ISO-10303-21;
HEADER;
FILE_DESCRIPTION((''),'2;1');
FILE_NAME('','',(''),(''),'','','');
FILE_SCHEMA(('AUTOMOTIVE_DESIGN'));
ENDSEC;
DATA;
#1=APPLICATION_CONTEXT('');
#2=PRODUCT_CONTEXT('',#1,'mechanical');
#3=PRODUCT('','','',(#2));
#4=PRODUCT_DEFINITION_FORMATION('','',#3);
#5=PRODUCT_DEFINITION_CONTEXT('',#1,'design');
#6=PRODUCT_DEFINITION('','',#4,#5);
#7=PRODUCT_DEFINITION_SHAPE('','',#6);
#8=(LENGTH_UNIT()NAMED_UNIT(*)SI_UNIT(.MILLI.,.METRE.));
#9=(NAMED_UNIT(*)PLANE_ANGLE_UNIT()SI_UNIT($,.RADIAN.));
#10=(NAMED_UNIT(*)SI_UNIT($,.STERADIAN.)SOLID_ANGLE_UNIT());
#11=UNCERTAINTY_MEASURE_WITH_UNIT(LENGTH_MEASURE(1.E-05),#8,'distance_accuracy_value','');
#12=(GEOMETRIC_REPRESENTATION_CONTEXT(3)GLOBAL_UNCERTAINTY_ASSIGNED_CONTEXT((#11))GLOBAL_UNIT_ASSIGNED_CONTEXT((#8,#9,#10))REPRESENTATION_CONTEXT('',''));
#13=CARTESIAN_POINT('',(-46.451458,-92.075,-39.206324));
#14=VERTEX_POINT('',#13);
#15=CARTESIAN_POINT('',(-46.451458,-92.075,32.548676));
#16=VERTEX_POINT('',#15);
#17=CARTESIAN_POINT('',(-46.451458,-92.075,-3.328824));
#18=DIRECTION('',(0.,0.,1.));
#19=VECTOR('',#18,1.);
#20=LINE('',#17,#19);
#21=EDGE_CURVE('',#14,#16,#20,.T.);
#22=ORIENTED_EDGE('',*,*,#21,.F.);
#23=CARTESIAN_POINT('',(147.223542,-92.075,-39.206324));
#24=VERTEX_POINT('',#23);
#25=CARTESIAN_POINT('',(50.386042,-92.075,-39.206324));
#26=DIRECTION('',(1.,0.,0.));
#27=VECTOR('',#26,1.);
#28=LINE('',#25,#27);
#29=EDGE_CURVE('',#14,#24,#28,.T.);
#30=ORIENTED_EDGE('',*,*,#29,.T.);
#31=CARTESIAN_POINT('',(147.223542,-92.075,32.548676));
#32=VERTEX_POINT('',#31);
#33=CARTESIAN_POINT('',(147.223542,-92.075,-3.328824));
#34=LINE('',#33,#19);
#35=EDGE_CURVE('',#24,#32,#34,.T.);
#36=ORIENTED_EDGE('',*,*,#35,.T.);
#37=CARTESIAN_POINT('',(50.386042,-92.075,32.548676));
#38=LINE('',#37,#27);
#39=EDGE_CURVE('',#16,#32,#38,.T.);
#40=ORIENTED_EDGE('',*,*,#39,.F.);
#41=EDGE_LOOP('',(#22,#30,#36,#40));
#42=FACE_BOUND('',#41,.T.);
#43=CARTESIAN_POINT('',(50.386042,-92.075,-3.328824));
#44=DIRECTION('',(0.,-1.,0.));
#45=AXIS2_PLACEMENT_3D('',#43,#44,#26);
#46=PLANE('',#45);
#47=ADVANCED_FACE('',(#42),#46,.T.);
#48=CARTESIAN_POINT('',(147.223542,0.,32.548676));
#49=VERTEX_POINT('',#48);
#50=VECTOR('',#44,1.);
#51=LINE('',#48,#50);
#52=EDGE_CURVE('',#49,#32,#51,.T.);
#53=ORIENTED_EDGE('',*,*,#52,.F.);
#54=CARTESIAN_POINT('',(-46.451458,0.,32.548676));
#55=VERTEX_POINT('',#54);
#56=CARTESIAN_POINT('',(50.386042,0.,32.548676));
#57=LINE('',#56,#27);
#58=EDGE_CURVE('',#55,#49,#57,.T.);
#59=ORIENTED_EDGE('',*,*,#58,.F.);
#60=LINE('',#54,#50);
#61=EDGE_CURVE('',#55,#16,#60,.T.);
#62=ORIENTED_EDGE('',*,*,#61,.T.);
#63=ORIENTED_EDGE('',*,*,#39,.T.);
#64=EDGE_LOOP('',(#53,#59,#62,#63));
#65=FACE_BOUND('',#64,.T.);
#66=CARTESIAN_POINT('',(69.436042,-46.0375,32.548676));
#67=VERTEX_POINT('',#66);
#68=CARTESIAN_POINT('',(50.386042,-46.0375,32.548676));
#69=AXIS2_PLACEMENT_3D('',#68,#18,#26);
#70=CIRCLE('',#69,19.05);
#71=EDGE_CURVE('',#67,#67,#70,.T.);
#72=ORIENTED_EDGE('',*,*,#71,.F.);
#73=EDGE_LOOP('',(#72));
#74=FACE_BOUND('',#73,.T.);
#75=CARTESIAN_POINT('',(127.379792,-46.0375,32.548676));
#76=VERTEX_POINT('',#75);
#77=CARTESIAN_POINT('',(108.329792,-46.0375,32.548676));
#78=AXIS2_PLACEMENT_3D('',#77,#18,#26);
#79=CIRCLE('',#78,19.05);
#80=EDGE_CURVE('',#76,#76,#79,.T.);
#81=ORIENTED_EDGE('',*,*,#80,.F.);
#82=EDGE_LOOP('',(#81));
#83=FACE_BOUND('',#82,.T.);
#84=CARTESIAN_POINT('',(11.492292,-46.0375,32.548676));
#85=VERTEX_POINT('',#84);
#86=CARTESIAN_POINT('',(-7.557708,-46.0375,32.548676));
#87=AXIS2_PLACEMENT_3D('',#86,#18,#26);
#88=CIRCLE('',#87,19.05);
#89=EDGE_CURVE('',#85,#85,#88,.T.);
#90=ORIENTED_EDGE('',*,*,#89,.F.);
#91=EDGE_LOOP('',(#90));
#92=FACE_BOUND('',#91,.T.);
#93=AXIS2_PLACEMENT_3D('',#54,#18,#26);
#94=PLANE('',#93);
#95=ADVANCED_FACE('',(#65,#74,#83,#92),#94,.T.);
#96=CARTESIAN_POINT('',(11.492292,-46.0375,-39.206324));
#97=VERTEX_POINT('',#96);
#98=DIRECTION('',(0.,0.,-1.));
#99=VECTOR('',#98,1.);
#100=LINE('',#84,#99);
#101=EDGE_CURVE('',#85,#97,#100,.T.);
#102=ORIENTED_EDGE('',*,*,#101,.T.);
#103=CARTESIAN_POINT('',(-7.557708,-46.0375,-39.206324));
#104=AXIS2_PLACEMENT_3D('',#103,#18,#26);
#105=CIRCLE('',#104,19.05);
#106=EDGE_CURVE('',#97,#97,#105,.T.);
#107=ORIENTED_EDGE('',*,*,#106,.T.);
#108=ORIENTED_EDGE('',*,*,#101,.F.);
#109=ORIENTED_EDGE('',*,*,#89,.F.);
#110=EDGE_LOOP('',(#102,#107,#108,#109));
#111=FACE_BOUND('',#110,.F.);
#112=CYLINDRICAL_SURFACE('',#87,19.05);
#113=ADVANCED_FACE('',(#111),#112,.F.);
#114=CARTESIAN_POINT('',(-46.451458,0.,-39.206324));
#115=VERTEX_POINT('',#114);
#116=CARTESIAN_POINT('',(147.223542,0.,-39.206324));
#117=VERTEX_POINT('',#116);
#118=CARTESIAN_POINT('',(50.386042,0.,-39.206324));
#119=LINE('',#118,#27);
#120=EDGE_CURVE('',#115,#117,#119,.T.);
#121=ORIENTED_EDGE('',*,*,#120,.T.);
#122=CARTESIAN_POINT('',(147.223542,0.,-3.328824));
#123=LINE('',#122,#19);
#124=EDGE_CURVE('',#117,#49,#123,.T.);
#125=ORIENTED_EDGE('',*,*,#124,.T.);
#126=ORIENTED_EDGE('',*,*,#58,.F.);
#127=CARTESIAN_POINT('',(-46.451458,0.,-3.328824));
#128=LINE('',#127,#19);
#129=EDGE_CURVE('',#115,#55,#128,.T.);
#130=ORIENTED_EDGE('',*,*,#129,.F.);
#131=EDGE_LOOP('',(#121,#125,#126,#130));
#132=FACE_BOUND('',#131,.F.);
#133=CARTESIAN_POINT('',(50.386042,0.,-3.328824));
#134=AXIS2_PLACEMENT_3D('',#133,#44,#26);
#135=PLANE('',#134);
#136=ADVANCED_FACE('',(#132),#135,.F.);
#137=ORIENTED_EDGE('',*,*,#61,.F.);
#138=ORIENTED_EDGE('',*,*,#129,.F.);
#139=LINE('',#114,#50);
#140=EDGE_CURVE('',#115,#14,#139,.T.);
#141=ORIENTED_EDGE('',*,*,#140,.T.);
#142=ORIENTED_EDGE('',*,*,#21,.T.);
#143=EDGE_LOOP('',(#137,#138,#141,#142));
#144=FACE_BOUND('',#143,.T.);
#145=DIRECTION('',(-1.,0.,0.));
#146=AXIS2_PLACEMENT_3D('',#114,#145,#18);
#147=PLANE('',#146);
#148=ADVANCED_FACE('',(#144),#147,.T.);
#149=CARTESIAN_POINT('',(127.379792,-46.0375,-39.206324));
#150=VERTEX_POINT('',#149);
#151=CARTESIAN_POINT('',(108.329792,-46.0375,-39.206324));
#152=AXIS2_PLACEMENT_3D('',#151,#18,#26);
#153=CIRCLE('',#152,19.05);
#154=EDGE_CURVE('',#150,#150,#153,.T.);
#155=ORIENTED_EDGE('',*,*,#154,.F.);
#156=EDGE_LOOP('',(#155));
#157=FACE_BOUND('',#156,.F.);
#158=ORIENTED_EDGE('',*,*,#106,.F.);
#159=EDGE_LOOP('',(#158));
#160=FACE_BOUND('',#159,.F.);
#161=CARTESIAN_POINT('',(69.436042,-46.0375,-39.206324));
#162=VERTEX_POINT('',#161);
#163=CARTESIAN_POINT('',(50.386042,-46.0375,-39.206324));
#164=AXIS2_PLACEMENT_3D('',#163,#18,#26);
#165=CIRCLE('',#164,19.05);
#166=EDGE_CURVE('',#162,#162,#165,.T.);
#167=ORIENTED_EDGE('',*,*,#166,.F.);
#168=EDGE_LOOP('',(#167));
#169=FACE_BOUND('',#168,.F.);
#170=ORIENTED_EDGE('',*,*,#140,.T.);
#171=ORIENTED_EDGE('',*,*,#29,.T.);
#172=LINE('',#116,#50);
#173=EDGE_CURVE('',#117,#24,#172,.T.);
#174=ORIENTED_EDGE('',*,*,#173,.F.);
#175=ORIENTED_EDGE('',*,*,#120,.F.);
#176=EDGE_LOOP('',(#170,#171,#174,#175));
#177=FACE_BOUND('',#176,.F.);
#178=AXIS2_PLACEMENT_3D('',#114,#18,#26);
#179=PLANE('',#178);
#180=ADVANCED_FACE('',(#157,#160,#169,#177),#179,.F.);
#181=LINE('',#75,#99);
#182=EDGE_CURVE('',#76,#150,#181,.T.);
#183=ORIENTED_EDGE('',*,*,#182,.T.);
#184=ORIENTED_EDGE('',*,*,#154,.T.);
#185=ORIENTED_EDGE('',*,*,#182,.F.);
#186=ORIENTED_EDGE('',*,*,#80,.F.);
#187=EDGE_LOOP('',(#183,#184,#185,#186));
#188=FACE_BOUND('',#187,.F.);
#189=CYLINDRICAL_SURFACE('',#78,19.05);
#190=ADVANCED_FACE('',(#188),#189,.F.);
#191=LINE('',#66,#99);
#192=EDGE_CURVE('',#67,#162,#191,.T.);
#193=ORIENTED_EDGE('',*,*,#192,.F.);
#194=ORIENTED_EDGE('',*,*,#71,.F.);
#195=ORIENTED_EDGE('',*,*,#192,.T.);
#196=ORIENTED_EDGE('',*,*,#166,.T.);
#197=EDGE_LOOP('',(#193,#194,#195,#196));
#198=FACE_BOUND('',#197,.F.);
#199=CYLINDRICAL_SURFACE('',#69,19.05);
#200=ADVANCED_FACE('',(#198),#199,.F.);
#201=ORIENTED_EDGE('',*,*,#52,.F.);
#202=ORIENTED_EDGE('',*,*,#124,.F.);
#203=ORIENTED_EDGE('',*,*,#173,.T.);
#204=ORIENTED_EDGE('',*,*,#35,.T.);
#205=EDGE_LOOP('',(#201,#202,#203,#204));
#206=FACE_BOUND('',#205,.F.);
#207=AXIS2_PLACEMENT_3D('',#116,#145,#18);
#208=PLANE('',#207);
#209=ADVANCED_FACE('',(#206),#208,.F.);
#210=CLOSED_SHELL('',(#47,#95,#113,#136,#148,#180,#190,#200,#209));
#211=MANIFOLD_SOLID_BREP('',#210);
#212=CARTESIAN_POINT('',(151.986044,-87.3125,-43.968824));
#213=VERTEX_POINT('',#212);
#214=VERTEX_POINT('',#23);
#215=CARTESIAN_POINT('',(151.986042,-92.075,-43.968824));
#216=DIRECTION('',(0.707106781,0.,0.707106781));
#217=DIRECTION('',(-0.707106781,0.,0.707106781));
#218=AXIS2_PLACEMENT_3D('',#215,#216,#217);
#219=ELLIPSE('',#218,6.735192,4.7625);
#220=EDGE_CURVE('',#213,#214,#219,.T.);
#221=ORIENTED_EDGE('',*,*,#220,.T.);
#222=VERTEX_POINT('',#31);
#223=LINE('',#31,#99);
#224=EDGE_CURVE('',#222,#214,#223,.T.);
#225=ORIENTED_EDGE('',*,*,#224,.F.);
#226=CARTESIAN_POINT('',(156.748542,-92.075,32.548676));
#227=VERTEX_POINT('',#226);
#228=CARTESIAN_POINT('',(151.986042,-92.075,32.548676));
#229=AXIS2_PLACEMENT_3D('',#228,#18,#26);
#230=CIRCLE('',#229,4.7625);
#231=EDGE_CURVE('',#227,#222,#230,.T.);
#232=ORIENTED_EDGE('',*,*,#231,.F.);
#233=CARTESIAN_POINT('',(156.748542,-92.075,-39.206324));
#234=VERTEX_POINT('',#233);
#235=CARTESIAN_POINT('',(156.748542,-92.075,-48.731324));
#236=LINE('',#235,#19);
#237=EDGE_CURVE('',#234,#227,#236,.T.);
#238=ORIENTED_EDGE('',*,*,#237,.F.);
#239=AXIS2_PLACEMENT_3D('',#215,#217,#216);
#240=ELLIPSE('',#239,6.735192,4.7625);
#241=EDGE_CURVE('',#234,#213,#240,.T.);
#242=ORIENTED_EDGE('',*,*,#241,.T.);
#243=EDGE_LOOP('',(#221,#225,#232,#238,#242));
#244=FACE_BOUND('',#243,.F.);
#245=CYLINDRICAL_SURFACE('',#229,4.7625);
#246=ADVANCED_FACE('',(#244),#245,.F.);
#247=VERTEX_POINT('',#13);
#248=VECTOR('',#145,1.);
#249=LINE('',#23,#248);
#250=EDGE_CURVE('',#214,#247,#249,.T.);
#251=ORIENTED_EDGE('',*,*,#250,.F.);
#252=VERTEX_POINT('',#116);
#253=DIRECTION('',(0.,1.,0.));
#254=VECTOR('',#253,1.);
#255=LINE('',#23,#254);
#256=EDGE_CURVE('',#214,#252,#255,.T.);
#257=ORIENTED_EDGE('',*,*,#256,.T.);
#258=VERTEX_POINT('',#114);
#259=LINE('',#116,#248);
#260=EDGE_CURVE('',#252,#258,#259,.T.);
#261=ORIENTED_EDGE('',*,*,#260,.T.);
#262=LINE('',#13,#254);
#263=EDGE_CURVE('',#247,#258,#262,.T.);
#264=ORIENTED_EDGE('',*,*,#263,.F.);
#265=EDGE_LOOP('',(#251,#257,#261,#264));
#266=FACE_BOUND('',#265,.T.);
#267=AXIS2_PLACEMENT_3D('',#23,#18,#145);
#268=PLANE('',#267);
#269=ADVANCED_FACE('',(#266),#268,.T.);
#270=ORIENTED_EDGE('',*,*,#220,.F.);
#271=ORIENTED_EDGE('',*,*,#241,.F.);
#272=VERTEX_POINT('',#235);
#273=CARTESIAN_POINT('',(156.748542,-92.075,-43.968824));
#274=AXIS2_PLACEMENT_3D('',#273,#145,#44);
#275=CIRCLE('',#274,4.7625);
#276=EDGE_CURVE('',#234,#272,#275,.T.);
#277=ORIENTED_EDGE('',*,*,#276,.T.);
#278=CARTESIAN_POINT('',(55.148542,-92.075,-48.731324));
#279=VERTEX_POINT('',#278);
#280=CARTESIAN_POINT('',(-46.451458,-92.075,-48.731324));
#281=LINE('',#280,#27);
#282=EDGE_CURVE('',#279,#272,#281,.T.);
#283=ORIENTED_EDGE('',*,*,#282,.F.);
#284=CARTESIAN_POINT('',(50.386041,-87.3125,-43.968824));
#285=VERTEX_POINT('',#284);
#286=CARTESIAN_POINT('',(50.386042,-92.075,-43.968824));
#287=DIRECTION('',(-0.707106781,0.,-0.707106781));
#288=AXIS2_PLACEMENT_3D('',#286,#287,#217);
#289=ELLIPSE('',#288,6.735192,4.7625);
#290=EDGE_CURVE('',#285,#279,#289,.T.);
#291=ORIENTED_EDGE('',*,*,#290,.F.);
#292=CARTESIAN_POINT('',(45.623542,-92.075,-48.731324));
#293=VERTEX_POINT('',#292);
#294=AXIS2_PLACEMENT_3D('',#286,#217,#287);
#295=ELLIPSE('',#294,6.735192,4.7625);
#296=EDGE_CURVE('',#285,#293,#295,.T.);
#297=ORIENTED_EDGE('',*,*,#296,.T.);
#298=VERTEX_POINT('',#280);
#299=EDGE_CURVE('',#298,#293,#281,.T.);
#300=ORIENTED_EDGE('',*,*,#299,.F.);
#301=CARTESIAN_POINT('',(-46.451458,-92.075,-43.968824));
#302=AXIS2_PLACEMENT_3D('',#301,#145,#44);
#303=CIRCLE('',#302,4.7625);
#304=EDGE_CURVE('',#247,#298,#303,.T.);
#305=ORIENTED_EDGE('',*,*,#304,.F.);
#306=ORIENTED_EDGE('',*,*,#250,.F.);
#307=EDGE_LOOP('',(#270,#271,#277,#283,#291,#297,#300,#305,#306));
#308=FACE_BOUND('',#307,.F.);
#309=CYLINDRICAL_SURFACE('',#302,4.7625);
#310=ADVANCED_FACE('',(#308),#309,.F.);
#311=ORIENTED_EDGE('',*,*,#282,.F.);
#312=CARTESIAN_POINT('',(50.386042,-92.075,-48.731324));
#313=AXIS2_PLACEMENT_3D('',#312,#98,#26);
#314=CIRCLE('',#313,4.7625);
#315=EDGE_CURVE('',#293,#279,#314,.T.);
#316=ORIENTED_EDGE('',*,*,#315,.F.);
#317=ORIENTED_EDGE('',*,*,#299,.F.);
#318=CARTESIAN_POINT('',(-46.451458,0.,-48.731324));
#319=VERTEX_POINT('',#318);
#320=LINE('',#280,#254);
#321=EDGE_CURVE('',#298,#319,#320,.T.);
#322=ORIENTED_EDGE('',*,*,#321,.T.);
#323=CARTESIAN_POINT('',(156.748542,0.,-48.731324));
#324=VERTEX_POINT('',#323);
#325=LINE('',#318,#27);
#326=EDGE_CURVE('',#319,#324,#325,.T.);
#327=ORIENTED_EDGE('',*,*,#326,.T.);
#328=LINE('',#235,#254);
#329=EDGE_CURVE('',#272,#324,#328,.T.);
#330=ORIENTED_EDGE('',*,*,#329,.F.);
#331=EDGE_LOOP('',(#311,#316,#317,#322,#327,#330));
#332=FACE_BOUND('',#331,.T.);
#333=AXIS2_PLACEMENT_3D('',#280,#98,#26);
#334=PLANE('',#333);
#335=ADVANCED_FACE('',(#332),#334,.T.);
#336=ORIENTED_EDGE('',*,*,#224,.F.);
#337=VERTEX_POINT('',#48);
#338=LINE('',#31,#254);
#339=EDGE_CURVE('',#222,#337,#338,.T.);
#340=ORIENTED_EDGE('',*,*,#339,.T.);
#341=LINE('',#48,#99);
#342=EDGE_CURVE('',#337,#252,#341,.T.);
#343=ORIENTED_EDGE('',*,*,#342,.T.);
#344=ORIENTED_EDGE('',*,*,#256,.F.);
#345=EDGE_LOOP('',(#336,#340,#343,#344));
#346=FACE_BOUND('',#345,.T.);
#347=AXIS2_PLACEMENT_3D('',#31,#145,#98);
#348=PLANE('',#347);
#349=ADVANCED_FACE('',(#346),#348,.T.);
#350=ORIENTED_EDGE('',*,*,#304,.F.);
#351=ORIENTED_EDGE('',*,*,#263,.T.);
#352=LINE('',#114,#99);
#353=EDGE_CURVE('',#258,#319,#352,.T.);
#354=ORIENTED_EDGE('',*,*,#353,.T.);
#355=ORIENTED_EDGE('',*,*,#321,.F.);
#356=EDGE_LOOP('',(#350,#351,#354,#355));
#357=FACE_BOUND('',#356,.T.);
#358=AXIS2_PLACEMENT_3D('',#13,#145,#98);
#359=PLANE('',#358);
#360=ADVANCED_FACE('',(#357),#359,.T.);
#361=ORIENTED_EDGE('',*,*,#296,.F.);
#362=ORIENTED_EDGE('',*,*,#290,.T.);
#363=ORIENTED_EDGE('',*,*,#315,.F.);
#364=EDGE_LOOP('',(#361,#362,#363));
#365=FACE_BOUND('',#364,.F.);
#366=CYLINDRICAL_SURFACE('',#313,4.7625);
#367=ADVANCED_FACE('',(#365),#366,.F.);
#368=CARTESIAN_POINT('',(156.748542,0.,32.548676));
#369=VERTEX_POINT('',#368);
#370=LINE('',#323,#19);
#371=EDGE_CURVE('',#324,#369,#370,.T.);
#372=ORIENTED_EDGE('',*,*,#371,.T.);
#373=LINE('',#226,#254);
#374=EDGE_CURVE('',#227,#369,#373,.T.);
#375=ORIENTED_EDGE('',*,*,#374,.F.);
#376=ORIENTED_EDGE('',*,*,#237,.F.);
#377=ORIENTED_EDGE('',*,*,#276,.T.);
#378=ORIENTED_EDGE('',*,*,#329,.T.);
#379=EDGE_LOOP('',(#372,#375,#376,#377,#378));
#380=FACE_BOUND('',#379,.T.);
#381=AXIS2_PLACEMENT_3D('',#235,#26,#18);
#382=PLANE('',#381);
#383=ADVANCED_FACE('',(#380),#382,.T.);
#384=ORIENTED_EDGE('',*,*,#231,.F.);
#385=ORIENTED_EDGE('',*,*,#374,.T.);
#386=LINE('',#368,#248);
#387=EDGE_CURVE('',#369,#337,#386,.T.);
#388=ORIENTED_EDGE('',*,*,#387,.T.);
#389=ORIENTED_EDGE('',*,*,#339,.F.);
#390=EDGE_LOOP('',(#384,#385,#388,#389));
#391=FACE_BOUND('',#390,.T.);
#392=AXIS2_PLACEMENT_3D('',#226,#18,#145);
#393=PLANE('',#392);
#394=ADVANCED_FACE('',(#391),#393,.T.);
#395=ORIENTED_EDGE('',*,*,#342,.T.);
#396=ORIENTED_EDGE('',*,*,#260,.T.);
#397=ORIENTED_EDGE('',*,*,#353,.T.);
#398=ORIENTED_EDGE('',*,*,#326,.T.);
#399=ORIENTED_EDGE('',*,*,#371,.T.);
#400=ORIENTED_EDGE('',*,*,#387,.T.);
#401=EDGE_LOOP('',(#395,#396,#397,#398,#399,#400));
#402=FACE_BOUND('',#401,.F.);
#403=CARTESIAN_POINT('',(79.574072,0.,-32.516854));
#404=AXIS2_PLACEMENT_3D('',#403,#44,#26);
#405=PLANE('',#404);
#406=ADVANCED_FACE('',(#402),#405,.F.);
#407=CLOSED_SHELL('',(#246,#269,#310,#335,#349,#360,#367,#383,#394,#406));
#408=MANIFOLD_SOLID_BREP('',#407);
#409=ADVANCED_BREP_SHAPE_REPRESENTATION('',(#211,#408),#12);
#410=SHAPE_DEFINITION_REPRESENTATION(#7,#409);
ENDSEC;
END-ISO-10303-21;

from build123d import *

# Parameters (mm, degrees)
F0_W          = 193.675
F0_H          = 71.755
F1_DEPTH      = 92.075
F2_R          = 19.05
F3_DEPTH      = 71.755
F3_DEPTH_BACK = 25.4
F5_DEPTH      = 92.075
F6_R          = 4.7625
F7_DEPTH      = 76.5175
F8_R          = 4.7625
F9_DEPTH      = 203.2
F10_R         = 4.7625
F11_DEPTH     = 4.7625


with BuildPart() as f1:
    # F0 (on Front) → F1 (new body)
    with BuildSketch(Plane.XZ):
        with Locations((50.3860423341, -3.3288239453)):
            Rectangle(F0_W, F0_H)
    extrude(amount=F1_DEPTH)

    # F2 (on face) → F3 (cut, two sides)
    with BuildSketch(Plane.XY.offset(32.5486760547)) as f3_sk:
        with Locations((-7.5577076659, -46.0375)):
            Circle(F2_R)
        with BuildLine():
            Line((50.3860423341, -65.0875), (50.3860423341, -26.9875))
            ThreePointArc((50.3860423341, -26.9875), (31.3360423341, -46.0375), (50.3860423341, -65.0875))
        make_face()
        with BuildLine():
            ThreePointArc((50.3860423341, -65.0875), (63.8564265157, -59.5078841816), (69.4360423341, -46.0375))
            ThreePointArc((69.4360423341, -46.0375), (63.8564265157, -32.5671158184), (50.3860423341, -26.9875))
            Line((50.3860423341, -26.9875), (50.3860423341, -65.0875))
        make_face()
        with BuildLine():
            Line((127.3797923341, -46.0375), (89.2797923341, -46.0375))
            ThreePointArc((89.2797923341, -46.0375), (108.3297923341, -65.0875), (127.3797923341, -46.0375))
        make_face()
        with BuildLine():
            ThreePointArc((127.3797923341, -46.0375), (108.3297923341, -26.9875), (89.2797923341, -46.0375))
            Line((89.2797923341, -46.0375), (127.3797923341, -46.0375))
        make_face()
    extrude(amount=-F3_DEPTH, mode=Mode.SUBTRACT)
    extrude(f3_sk.sketch, amount=F3_DEPTH_BACK, mode=Mode.SUBTRACT)


with BuildPart() as f5:
    # F4 (on face) → F5 (new body)
    with BuildSketch(Plane.XZ.offset(92.075)):
        Polygon((156.7485423341, 32.5486760547), (147.2235423341, 32.5486760547), (147.2235423341, -39.2063239453), (-46.4514576659, -39.2063239453), (-46.4514576659, -48.7313239453), (156.7485423341, -48.7313239453), align=None)
    extrude(amount=-F5_DEPTH)

    # F6 (on face) → F7 (cut)
    with BuildSketch(Plane.XY.offset(32.5486760547)):
        with Locations((151.9860423341, -92.075)):
            Circle(F6_R)
    extrude(amount=-F7_DEPTH, mode=Mode.SUBTRACT)

    # F8 (on face) → F9 (cut)
    with BuildSketch(Plane(origin=(-46.4514576659, 0, 0), x_dir=(0, -1, 0), z_dir=(-1, 0, 0))):
        with Locations((92.075, -43.9688239453)):
            Circle(F8_R)
    extrude(amount=-F9_DEPTH, mode=Mode.SUBTRACT)

    # F10 (on face) → F11 (cut)
    with BuildSketch(Plane(origin=(0, 0, -48.7313239453), x_dir=(1, 0, 0), z_dir=(0, 0, -1))):
        with Locations((50.3860423341, 92.075)):
            Circle(F10_R)
    extrude(amount=-F11_DEPTH, mode=Mode.SUBTRACT)


solid = Compound([f1.part, f5.part])
